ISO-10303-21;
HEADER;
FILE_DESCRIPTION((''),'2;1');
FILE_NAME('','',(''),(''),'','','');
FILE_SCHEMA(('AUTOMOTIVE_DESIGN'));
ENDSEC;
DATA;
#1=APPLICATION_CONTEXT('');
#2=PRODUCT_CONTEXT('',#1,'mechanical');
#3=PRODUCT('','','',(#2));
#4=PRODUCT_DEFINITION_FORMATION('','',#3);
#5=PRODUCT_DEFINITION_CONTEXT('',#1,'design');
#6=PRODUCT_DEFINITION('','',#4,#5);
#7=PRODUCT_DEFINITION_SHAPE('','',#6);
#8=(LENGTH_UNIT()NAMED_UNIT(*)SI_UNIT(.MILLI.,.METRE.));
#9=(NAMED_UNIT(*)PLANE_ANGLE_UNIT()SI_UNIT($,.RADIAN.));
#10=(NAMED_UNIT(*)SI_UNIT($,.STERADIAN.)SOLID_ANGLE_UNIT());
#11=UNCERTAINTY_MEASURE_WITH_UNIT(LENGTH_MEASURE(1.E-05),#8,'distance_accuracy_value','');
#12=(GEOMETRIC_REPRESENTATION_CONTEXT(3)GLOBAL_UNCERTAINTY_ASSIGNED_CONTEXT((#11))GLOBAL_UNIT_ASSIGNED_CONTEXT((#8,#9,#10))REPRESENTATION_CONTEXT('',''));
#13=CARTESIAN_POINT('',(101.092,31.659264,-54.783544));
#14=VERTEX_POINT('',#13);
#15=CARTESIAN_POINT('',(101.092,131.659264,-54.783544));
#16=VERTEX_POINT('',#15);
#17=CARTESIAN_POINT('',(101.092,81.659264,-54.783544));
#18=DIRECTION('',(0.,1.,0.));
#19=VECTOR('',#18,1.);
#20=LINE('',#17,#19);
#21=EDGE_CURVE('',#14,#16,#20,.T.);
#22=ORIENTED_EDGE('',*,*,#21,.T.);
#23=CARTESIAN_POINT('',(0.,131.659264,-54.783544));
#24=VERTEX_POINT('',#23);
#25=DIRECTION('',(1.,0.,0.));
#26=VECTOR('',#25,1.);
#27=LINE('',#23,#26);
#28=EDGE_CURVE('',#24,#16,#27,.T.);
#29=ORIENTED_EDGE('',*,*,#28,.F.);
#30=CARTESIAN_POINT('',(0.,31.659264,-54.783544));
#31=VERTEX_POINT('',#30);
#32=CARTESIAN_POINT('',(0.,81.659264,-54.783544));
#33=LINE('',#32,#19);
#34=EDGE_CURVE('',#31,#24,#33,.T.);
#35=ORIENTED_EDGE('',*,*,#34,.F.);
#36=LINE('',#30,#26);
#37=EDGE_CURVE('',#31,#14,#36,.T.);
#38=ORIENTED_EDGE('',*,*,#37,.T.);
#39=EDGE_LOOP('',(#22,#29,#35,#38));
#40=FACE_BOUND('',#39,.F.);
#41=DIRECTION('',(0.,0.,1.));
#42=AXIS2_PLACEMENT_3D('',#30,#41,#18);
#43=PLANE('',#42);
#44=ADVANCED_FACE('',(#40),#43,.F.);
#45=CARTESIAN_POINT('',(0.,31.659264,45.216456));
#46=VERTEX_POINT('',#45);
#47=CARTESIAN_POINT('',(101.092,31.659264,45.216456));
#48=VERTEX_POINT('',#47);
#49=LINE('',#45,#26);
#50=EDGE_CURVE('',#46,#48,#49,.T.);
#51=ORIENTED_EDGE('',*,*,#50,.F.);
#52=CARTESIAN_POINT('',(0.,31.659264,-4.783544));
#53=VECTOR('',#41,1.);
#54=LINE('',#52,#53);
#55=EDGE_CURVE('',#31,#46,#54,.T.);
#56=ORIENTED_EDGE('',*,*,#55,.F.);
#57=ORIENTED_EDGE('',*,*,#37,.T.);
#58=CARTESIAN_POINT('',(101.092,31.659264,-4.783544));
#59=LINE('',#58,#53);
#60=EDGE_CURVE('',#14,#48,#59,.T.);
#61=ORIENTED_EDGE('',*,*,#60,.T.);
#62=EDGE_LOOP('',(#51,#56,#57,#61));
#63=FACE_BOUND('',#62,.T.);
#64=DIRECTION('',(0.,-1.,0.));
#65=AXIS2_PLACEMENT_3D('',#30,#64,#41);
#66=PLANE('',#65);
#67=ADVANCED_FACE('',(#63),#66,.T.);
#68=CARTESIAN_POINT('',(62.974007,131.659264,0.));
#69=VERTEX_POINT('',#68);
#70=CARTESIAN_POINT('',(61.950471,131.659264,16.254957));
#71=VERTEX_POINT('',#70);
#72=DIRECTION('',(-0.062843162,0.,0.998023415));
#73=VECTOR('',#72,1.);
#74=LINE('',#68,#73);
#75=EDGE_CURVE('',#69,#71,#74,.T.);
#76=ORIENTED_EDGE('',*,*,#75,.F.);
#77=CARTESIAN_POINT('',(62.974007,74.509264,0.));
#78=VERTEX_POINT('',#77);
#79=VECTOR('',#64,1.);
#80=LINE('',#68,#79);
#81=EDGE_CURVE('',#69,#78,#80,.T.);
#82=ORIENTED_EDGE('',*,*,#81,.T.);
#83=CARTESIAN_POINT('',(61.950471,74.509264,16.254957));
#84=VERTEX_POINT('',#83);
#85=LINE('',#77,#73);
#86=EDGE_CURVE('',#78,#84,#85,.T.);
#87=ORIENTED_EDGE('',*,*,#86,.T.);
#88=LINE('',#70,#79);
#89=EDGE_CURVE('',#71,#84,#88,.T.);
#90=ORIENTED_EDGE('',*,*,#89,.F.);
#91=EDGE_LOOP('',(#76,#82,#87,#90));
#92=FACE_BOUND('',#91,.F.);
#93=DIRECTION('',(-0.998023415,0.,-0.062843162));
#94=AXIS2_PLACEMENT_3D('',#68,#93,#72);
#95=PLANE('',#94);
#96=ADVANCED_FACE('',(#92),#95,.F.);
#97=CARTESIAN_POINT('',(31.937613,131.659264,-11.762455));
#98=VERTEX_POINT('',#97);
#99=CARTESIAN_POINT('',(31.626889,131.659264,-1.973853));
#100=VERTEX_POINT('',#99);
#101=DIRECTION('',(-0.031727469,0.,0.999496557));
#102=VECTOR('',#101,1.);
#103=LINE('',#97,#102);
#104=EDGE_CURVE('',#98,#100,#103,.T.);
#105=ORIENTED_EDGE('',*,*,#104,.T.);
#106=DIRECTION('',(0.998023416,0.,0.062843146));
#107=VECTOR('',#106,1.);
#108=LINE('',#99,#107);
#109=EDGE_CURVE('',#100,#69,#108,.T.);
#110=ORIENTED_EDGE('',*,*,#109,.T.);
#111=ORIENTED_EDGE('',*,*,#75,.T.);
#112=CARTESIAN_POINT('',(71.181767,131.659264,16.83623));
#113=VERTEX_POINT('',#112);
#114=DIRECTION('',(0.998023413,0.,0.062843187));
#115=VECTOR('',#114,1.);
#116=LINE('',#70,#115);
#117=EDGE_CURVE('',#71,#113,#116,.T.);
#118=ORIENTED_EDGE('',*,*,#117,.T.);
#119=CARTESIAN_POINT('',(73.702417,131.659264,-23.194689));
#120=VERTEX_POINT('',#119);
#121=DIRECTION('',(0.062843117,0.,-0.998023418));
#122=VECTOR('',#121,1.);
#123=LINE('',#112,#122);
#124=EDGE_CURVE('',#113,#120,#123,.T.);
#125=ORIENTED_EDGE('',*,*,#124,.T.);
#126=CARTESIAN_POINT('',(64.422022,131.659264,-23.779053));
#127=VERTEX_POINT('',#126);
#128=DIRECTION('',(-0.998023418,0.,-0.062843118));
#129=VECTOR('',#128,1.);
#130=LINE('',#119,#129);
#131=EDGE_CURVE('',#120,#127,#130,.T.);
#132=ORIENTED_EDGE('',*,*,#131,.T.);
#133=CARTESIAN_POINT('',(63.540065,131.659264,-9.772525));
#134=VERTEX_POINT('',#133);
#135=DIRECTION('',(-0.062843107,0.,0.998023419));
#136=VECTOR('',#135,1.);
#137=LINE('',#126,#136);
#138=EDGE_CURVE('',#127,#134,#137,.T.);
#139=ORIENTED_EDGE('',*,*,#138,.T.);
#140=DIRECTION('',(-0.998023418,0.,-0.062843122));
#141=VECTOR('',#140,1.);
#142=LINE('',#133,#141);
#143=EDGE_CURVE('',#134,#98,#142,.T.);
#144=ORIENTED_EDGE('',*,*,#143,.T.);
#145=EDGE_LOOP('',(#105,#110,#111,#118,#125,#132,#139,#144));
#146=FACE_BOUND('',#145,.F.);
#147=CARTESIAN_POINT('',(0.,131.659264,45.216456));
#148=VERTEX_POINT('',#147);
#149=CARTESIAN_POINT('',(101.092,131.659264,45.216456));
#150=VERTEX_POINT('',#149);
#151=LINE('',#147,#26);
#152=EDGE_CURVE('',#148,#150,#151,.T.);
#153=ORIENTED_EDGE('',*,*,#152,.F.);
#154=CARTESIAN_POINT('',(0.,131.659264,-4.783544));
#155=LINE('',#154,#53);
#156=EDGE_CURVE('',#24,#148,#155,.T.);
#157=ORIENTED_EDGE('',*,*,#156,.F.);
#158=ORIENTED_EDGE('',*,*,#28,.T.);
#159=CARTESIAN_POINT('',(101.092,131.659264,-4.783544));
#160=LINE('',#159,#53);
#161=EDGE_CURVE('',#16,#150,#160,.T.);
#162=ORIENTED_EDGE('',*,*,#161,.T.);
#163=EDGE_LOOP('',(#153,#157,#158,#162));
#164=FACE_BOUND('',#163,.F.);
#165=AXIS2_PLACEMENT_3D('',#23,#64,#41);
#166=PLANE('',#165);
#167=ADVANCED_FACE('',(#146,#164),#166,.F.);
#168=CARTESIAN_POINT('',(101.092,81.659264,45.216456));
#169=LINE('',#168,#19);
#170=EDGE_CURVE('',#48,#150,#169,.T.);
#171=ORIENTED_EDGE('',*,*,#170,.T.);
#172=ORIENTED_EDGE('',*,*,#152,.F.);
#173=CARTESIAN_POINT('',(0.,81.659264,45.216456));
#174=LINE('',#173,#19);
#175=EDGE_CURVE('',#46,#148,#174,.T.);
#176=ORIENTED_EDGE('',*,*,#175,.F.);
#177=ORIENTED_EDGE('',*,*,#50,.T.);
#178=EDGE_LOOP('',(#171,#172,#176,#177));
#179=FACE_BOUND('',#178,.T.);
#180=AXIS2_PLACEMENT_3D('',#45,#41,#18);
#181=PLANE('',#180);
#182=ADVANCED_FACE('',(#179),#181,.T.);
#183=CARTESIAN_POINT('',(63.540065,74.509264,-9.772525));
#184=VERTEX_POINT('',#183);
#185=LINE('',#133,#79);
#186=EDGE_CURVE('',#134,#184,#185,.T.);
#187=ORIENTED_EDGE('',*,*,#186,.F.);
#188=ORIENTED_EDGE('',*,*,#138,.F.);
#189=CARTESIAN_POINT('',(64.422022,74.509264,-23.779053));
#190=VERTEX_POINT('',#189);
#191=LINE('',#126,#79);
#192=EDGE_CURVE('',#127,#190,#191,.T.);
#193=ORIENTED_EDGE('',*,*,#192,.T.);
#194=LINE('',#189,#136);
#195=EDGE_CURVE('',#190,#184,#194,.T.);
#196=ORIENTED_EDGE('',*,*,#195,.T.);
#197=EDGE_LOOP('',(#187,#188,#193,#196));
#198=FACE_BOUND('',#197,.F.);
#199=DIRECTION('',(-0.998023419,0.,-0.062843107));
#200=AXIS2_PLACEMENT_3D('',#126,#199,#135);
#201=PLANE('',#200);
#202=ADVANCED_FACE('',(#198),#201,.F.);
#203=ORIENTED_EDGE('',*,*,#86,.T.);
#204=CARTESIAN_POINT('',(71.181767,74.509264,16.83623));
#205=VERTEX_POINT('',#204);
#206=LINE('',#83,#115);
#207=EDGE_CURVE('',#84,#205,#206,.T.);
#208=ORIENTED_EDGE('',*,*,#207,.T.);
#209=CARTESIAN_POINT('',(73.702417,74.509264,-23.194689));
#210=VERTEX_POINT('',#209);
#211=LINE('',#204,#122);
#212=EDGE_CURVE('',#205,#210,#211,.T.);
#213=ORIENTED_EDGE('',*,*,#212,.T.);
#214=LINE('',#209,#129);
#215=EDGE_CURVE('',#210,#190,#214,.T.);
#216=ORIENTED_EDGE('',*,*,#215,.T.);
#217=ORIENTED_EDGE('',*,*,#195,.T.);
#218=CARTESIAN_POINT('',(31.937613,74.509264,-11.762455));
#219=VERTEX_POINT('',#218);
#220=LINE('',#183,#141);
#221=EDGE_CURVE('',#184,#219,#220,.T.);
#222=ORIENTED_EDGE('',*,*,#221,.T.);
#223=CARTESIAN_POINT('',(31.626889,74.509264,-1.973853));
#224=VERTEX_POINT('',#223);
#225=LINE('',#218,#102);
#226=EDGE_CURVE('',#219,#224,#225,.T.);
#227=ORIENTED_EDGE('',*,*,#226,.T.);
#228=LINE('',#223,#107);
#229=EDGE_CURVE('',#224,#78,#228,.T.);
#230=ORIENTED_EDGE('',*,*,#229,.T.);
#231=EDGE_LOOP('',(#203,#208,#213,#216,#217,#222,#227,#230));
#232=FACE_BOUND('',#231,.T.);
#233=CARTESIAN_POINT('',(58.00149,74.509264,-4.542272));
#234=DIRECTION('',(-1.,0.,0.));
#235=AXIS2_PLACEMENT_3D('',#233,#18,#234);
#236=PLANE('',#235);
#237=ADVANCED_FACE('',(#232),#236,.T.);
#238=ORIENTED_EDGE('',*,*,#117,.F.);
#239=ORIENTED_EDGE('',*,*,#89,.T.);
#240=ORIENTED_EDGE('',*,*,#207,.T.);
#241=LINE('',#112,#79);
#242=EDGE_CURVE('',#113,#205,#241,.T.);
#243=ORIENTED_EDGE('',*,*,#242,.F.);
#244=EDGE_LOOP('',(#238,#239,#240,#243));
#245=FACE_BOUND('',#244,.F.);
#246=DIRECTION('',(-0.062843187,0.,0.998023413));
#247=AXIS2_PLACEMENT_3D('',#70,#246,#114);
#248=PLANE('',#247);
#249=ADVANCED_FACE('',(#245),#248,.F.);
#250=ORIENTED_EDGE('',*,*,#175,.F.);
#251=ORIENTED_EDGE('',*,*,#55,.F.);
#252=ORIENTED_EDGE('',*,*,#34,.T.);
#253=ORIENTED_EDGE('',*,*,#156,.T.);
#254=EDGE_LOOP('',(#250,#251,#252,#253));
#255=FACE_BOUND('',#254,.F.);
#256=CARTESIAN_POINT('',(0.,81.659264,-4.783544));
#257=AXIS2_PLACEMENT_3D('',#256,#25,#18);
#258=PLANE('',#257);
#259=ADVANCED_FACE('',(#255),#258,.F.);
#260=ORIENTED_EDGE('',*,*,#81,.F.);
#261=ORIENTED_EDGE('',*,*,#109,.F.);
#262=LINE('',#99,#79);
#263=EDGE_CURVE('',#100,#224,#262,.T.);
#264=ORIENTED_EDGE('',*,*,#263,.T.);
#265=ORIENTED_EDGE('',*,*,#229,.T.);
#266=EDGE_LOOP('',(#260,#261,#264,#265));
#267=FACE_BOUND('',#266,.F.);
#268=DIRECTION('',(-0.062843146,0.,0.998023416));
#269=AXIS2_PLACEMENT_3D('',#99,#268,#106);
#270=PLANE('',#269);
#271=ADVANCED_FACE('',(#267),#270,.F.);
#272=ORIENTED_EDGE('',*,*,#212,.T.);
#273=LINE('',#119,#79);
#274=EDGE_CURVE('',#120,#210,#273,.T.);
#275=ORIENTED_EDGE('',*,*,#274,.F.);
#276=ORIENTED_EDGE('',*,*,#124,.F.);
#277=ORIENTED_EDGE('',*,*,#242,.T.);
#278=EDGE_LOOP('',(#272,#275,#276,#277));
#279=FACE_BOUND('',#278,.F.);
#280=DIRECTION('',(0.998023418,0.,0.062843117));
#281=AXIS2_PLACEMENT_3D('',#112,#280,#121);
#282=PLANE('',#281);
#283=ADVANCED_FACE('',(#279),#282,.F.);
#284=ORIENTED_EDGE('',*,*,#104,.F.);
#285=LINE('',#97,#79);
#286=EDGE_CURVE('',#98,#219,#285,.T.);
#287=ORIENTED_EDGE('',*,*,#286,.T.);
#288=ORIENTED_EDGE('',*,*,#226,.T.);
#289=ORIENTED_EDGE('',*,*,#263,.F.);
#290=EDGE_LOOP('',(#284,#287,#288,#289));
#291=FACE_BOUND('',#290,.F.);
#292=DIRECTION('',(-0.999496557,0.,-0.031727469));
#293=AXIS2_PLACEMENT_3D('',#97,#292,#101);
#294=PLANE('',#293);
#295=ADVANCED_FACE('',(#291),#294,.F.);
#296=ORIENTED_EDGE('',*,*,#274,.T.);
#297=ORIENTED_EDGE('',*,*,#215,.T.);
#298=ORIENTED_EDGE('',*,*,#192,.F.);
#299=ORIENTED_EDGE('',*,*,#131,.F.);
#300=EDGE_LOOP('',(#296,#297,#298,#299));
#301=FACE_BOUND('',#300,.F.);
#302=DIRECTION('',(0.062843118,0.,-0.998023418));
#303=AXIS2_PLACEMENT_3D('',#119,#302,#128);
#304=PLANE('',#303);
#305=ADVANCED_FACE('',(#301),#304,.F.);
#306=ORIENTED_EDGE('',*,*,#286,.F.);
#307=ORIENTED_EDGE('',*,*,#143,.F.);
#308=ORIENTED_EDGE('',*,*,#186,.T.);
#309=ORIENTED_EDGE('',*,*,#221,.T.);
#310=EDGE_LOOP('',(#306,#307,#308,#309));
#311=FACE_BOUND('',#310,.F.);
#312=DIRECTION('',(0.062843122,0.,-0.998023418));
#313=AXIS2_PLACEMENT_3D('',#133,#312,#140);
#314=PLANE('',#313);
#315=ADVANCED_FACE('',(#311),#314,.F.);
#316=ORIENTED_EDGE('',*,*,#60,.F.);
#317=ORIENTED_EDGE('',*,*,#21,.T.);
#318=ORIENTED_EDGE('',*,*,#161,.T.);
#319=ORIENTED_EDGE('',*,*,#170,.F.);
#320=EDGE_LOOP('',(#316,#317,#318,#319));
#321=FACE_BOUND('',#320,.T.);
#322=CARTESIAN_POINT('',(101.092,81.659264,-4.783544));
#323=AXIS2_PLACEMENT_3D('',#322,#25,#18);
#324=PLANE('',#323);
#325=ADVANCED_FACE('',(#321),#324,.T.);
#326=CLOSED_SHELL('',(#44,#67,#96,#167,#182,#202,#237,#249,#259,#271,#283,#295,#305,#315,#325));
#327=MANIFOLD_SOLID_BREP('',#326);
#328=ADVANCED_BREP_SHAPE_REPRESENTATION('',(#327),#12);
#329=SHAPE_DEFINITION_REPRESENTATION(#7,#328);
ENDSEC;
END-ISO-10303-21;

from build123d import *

# Parameters (mm, degrees)
F0_W     = 100
F0_H     = 100
F1_DEPTH = 101.092
F3_DEPTH = 57.15


with BuildPart() as f1:
    # F0 (on Right) → F1 (new body)
    with BuildSketch(Plane.YZ):
        with Locations((81.659264, -4.783544)):
            Rectangle(F0_W, F0_H)
    extrude(amount=F1_DEPTH)

    # F2 (on face) → F3 (cut)
    with BuildSketch(Plane(origin=(0, 131.659264, 0), x_dir=(-1, 0, 0), z_dir=(0, 1, 0))):
        Polygon((-71.181767, 16.83623), (-73.702417, -23.194689), (-64.422022, -23.779053), (-63.540065, -9.772525), (-31.937613, -11.762455), (-31.626889, -1.973853), (-62.974007, 0), (-61.950471, 16.254957), align=None)
    extrude(amount=-F3_DEPTH, mode=Mode.SUBTRACT)


solid = f1.part
